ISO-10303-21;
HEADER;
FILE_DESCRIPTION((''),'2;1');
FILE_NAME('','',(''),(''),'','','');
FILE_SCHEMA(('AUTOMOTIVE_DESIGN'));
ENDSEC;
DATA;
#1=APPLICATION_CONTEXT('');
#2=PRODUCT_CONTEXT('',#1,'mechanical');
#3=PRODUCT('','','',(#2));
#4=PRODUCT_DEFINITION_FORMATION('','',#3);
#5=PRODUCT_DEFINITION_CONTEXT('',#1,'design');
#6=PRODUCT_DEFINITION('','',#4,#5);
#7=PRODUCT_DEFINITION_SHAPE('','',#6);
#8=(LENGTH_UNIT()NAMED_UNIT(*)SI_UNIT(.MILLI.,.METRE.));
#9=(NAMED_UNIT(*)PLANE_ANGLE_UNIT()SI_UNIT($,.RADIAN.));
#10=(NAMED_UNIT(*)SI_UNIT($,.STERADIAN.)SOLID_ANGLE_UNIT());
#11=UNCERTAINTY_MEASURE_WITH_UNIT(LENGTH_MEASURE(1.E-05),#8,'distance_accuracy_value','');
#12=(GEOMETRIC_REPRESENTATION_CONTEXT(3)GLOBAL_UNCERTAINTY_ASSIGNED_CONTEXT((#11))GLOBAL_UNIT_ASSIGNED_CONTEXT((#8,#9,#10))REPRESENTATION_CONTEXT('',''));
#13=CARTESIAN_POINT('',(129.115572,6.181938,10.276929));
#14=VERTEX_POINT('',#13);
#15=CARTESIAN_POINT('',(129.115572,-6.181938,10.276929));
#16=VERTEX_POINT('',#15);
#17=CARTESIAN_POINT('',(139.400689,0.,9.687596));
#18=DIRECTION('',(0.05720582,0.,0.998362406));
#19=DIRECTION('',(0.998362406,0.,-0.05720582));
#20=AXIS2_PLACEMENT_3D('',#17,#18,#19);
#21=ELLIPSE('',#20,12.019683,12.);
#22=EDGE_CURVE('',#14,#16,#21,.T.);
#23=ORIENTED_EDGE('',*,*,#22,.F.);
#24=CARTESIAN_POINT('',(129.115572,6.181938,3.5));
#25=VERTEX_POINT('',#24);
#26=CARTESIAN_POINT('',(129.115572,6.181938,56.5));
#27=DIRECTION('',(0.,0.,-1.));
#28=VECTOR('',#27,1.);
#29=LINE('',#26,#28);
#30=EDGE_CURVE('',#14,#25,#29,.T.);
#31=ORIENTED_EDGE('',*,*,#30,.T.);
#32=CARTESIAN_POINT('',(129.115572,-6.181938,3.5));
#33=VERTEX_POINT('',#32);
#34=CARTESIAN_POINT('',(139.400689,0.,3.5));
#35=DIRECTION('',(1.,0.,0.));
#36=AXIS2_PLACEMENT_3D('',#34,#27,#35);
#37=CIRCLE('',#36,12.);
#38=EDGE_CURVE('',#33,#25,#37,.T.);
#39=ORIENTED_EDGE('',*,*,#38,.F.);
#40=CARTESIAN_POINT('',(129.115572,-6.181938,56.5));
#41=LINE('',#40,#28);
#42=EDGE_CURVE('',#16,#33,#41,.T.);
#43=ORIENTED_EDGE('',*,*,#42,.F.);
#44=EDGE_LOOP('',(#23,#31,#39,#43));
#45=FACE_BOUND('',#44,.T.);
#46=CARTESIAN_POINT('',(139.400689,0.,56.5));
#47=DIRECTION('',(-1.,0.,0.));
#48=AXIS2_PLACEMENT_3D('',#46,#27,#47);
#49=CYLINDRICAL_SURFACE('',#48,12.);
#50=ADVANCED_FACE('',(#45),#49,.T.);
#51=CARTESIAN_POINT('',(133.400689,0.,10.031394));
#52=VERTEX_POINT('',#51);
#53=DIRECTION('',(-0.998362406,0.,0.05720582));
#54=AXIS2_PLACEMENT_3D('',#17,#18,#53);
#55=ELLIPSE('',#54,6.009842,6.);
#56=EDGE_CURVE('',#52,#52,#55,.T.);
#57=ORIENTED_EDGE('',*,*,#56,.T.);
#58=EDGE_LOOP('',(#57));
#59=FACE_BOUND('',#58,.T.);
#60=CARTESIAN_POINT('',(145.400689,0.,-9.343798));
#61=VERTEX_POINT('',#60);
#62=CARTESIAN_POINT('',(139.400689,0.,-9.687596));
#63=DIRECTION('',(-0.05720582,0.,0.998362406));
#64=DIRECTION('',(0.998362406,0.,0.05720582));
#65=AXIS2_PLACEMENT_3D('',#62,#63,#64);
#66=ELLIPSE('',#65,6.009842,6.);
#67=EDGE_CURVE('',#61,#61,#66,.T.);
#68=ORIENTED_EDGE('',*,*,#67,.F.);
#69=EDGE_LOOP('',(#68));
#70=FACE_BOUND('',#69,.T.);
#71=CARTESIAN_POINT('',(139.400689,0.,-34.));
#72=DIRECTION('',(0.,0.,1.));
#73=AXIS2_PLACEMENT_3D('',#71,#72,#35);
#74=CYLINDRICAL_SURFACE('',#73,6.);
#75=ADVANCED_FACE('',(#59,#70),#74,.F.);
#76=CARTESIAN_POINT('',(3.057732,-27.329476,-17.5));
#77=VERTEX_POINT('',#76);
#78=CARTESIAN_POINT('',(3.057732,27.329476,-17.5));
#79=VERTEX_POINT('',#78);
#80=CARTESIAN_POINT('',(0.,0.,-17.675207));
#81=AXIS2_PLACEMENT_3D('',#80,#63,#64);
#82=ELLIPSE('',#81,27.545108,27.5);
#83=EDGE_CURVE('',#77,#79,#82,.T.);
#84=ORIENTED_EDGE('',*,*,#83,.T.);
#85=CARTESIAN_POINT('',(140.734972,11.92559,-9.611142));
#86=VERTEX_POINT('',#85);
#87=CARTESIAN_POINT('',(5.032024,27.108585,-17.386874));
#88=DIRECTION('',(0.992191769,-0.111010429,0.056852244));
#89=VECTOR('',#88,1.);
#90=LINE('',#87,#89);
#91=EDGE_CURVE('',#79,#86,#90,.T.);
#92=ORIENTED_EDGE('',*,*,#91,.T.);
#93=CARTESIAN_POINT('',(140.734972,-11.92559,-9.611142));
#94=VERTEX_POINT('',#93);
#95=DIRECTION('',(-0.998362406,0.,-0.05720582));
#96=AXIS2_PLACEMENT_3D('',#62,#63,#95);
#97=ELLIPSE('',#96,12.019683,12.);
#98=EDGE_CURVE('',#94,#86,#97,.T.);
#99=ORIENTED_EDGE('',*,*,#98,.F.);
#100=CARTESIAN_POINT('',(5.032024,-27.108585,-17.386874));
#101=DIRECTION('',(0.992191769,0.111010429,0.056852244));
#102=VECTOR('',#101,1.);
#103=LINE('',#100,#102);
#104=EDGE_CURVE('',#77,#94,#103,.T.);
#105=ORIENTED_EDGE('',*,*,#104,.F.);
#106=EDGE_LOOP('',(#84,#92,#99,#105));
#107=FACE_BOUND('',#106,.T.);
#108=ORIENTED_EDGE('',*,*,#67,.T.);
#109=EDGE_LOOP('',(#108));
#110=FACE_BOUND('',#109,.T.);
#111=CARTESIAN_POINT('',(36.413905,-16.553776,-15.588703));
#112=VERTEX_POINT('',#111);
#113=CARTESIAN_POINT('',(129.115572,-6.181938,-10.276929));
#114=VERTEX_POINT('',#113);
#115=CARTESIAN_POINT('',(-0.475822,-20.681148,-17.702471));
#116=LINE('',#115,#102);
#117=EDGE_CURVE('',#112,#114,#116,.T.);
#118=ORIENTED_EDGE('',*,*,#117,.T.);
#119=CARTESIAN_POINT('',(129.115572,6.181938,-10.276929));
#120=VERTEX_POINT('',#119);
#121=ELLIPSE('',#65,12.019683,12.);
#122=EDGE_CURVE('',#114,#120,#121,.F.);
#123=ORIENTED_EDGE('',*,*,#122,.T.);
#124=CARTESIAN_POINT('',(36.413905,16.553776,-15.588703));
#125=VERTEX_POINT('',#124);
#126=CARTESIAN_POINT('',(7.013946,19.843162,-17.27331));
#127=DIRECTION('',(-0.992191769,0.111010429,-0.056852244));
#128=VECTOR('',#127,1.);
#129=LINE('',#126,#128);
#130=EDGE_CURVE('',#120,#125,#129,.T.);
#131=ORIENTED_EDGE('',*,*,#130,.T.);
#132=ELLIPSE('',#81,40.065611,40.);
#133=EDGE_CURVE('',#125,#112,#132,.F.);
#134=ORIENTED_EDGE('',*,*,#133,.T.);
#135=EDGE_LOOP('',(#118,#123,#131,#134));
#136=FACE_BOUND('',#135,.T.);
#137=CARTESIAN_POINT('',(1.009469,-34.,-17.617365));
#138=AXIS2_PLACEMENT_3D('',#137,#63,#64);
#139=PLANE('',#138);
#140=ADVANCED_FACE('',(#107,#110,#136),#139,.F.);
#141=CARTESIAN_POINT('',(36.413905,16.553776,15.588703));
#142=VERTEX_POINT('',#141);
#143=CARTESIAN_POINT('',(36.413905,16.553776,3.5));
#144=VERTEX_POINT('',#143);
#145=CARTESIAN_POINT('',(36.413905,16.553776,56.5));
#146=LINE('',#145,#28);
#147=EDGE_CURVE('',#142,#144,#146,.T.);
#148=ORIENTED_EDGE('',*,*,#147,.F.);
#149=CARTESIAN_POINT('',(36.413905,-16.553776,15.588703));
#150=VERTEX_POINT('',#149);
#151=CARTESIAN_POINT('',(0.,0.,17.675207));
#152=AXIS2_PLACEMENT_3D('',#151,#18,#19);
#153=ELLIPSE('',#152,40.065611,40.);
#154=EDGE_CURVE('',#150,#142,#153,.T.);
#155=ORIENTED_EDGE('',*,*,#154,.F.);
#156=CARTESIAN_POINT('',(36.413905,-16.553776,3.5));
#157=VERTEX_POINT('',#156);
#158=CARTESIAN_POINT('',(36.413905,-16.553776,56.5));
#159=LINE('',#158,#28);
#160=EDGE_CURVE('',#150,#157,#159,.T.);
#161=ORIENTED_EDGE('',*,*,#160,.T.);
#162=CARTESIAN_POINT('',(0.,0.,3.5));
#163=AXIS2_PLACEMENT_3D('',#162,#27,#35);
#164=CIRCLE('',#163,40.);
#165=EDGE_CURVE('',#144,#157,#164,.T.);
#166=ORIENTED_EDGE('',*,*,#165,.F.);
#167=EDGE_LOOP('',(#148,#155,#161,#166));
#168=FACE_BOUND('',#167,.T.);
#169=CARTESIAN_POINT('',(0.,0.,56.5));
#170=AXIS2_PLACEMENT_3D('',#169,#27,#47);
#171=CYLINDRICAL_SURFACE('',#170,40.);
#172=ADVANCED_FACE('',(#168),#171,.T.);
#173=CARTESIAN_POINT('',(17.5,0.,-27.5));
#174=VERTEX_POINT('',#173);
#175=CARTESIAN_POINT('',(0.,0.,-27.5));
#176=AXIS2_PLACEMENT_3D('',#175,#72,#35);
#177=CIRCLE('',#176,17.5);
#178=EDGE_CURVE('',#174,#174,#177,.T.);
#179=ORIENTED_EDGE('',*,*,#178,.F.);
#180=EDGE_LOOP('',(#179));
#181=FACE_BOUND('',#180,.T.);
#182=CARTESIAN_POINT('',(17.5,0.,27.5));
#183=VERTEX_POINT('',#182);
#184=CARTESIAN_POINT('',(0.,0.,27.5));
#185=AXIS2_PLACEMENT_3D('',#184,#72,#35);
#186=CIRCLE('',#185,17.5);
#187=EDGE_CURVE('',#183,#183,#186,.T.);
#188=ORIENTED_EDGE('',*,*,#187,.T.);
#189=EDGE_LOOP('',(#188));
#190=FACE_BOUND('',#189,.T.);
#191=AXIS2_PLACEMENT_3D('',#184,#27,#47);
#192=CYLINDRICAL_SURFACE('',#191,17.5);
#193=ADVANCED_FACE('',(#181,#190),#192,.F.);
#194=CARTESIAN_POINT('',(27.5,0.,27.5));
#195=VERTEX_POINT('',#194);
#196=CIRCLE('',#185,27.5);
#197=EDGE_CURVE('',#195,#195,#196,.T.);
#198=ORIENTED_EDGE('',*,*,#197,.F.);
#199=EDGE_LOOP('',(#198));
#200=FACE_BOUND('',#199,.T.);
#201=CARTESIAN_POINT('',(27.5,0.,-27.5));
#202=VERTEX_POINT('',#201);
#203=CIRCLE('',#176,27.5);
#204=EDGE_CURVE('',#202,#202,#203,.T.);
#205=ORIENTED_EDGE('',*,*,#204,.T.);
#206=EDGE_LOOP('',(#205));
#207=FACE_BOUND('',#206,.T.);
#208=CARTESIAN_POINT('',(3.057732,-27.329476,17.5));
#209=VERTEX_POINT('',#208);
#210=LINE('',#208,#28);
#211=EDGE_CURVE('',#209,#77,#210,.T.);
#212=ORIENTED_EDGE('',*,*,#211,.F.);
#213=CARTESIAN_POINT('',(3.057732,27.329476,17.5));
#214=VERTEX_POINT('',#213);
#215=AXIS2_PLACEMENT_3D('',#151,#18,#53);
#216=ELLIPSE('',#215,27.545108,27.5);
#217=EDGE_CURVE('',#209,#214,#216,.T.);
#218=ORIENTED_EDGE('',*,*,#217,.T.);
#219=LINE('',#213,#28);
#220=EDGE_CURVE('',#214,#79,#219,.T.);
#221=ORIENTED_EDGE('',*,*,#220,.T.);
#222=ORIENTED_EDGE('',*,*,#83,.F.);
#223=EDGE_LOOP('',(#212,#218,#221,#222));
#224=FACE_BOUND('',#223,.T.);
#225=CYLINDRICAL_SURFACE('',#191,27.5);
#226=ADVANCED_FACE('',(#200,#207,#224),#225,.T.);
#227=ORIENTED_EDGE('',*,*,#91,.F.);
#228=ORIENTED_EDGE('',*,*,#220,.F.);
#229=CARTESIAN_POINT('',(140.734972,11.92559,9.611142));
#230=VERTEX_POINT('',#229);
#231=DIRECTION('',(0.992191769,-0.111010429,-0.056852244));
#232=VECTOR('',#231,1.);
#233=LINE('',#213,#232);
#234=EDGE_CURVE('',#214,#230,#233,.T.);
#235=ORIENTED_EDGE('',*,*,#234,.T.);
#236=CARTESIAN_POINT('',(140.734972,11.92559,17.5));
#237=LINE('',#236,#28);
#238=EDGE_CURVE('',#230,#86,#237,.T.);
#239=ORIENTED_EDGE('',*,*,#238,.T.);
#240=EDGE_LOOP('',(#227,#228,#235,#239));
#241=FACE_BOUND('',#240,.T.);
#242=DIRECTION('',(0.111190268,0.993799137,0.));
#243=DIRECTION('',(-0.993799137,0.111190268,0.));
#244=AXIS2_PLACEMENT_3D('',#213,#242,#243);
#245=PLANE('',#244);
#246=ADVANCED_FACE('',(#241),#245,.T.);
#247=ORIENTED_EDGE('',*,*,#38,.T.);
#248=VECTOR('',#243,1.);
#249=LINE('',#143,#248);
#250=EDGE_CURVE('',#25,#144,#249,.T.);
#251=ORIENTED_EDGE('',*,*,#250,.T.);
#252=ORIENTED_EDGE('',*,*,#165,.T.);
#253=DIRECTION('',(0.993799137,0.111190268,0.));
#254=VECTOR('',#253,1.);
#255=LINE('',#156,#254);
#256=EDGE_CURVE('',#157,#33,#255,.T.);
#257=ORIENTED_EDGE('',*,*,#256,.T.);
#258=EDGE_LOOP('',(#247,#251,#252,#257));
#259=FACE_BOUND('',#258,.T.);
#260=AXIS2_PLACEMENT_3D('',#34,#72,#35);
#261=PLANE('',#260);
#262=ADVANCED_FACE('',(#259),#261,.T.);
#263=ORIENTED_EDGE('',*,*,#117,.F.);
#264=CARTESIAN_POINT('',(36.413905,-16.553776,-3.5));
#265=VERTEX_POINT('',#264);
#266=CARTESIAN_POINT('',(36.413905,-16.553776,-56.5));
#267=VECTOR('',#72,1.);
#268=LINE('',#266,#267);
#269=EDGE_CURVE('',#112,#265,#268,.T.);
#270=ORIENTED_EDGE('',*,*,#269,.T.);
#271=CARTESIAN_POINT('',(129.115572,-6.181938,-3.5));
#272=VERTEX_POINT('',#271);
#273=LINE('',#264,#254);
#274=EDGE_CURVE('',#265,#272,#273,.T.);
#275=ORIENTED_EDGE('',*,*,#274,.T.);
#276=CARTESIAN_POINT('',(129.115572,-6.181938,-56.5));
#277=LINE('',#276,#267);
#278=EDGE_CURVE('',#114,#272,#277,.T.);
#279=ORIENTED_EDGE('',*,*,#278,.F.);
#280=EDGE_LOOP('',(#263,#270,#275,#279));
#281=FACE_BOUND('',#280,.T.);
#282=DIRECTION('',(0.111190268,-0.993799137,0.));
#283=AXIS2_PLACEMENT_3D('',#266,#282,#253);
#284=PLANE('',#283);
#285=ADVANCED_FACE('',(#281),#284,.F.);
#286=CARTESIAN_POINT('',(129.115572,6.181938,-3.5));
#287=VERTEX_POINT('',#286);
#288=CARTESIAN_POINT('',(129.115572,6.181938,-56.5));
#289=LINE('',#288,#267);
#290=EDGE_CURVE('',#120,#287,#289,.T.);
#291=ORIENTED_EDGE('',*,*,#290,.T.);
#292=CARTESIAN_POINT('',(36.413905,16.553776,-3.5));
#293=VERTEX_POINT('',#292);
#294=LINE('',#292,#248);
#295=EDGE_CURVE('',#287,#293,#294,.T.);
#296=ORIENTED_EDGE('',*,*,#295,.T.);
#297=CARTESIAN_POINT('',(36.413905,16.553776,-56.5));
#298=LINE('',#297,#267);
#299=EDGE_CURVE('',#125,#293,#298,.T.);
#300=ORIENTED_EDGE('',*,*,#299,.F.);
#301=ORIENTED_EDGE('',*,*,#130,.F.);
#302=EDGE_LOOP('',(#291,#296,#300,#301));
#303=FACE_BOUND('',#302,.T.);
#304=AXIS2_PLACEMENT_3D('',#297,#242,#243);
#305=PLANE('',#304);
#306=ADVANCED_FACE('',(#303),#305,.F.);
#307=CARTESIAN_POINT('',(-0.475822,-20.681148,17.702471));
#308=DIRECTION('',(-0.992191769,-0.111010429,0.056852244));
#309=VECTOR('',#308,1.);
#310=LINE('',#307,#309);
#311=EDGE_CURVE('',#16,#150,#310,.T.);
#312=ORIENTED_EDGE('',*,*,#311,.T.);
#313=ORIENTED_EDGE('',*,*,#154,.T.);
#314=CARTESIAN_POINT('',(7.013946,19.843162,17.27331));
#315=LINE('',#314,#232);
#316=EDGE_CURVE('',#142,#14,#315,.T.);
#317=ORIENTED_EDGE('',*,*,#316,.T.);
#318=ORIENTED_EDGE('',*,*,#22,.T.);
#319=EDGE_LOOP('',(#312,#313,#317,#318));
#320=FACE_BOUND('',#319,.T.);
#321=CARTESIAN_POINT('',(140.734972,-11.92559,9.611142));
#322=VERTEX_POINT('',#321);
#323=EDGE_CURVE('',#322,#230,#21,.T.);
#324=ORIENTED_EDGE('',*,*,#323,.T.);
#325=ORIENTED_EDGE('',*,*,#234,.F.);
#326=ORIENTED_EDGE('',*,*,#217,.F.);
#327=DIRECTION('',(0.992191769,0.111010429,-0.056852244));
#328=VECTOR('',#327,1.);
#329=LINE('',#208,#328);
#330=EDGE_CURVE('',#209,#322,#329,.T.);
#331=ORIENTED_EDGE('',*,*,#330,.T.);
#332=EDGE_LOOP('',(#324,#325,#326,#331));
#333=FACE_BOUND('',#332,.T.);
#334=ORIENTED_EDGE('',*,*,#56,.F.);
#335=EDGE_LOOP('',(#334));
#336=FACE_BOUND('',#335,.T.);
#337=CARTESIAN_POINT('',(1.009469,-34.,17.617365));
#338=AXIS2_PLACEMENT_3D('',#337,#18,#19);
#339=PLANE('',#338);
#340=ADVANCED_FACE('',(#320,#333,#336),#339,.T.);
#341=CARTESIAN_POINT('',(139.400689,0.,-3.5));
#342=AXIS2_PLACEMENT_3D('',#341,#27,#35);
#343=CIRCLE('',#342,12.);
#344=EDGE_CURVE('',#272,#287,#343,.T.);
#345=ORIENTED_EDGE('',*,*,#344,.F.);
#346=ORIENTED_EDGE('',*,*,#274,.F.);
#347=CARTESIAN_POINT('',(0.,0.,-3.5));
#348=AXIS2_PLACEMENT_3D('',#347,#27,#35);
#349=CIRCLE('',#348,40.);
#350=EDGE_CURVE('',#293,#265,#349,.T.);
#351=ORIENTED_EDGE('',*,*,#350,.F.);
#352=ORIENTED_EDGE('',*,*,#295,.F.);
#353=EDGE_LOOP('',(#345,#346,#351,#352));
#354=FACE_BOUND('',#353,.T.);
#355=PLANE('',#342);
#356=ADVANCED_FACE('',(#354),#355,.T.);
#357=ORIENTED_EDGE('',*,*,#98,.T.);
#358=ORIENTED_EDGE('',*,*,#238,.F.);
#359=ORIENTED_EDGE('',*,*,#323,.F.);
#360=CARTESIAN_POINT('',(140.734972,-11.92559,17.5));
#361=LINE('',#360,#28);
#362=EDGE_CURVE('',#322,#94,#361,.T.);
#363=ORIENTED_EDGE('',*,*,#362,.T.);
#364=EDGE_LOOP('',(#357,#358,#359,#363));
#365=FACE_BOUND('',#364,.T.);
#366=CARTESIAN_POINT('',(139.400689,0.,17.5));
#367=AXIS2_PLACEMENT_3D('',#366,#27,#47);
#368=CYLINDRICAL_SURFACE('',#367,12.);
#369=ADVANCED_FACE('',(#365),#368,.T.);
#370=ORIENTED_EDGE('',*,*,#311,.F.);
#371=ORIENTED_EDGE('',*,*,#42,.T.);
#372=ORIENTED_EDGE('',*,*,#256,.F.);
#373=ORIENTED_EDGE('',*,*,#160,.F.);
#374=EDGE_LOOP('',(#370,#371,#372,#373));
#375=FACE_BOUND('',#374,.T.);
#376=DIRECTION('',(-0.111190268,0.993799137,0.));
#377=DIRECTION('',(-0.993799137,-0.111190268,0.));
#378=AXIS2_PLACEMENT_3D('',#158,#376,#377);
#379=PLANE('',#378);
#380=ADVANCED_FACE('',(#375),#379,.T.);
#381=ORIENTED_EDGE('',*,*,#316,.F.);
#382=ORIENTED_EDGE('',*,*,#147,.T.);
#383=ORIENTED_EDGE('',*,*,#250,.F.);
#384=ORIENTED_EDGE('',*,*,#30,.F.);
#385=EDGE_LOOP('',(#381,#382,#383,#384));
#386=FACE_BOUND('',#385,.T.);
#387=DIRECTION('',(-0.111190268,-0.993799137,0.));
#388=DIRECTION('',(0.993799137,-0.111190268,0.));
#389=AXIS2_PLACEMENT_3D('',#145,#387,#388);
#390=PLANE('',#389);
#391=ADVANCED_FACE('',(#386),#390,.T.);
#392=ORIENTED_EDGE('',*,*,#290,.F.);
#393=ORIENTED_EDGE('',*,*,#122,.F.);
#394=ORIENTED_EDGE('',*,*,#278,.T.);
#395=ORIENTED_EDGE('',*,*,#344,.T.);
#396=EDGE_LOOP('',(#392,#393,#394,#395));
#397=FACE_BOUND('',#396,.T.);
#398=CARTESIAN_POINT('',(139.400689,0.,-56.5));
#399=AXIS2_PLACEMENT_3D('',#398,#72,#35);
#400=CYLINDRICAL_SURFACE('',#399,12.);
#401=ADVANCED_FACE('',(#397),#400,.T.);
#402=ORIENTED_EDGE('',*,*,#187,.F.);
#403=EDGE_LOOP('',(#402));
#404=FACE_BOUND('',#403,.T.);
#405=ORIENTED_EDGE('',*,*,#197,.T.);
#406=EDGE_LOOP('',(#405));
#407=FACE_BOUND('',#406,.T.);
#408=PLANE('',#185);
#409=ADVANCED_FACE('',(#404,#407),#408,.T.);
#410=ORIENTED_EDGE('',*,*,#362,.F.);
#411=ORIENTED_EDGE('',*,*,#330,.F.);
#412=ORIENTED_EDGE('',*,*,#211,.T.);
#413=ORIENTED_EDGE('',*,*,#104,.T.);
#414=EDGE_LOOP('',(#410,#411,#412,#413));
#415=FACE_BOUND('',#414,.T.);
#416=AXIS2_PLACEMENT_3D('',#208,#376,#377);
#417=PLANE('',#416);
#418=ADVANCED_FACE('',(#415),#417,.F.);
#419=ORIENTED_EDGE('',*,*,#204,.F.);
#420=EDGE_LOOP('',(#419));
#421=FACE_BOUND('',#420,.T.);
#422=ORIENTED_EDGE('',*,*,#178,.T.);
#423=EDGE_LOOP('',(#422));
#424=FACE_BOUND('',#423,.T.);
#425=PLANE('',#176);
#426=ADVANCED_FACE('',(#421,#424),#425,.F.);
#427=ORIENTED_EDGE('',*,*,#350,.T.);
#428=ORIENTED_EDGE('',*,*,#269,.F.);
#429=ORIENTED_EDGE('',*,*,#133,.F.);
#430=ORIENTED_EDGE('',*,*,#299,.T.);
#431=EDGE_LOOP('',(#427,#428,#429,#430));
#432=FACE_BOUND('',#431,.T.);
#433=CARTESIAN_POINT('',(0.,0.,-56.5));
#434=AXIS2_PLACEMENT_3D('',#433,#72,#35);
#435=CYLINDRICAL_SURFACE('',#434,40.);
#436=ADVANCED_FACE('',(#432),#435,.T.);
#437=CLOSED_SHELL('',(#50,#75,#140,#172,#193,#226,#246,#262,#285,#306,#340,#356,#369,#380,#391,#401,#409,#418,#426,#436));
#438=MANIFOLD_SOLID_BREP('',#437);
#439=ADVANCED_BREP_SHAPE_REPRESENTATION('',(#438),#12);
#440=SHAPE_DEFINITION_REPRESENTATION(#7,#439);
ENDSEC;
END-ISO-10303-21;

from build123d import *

# Parameters (mm, degrees)
BOSS_EXTRUDE1_DEPTH = 27.5
BOSS_EXTRUDE2_DEPTH = 17.5
CUT_EXTRUDE1_DEPTH  = 34
SKETCH3_R           = 17.5
SKETCH3_R_2         = 6
CUT_EXTRUDE2_DEPTH  = 34
CUT_EXTRUDE6_START  = 53
CUT_EXTRUDE6_DEPTH  = 53
SKETCH8_R           = 27.5
CUT_EXTRUDE7_DEPTH  = 47
SKETCH9_R           = 27.5
SKETCH9_R_2         = 17.5
BOSS_EXTRUDE3_DEPTH = 27.5


with BuildPart() as part:
    # Sketch1 → Boss-Extrude1 (new, symmetric)
    with BuildSketch(Plane.XY):
        with BuildLine():
            ThreePointArc((27.5, 0), (20.498019907, 18.332517009), (3.057732372, 27.329476262))
            ThreePointArc((3.057732372, 27.329476262), (-27.5, 0), (3.057732372, -27.329476262))
            ThreePointArc((3.057732372, -27.329476262), (20.498019907, -18.332517009), (27.5, 0))
        make_face()
    extrude(amount=BOSS_EXTRUDE1_DEPTH, both=True)

    # Sketch1<3> → Boss-Extrude2 (add, symmetric)
    with BuildSketch(Plane.XY):
        with BuildLine():
            Line((140.734972422, 11.925589642), (3.057732372, 27.329476262))
            ThreePointArc((3.057732372, 27.329476262), (27.5, 0), (3.057732372, -27.329476262))
            Line((3.057732372, -27.329476262), (140.734972422, -11.925589642))
            ThreePointArc((140.734972422, -11.925589642), (151.400689205, 0), (140.734972422, 11.925589642))
        make_face()
    extrude(amount=BOSS_EXTRUDE2_DEPTH, both=True)

    # Sketch2 → Cut-Extrude1 (cut, symmetric)
    with BuildSketch(Plane(origin=(0, 0, 0), x_dir=(1, 0, 0), z_dir=(0, 1, 0))):
        Polygon((3.057732372, 17.5), (151.400689205, 9), (151.400689205, 17.5), align=None)
        Polygon((151.400689205, -17.5), (151.400689205, -9), (3.057732372, -17.5), align=None)
    extrude(amount=CUT_EXTRUDE1_DEPTH, both=True, mode=Mode.SUBTRACT)

    # Sketch3 → Cut-Extrude2 (cut, symmetric)
    with BuildSketch(Plane.XY):
        Circle(SKETCH3_R)
        with Locations((139.400689205, 0)):
            Circle(SKETCH3_R_2)
    extrude(amount=CUT_EXTRUDE2_DEPTH, both=True, mode=Mode.SUBTRACT)

    # Sketch7 → Cut-Extrude6 (cut)
    with BuildSketch(Plane.XY.offset(3.5).offset(CUT_EXTRUDE6_START)):
        with BuildLine():
            Line((36.413905406, 16.553775796), (129.115571862, 6.181938308))
            ThreePointArc((129.115571862, 6.181938308), (127.400689205, 0), (129.115571862, -6.181938308))
            Line((129.115571862, -6.181938308), (36.413905406, -16.553775796))
            ThreePointArc((36.413905406, -16.553775796), (40, 0), (36.413905406, 16.553775796))
        make_face()
    cut_extrude6 = extrude(amount=-CUT_EXTRUDE6_DEPTH, mode=Mode.SUBTRACT)

    # Mirror2: Cut-Extrude6 across plane
    add(cut_extrude6.mirror(Plane.XY), mode=Mode.SUBTRACT)

    # Sketch8 → Cut-Extrude7 (cut, symmetric)
    with BuildSketch(Plane.XY):
        Circle(SKETCH8_R)
    extrude(amount=CUT_EXTRUDE7_DEPTH, both=True, mode=Mode.SUBTRACT)

    # Sketch9 → Boss-Extrude3 (add, symmetric)
    with BuildSketch(Plane.XY):
        Circle(SKETCH9_R)
        Circle(SKETCH9_R_2, mode=Mode.SUBTRACT)
    extrude(amount=BOSS_EXTRUDE3_DEPTH, both=True)


solid = part.part
